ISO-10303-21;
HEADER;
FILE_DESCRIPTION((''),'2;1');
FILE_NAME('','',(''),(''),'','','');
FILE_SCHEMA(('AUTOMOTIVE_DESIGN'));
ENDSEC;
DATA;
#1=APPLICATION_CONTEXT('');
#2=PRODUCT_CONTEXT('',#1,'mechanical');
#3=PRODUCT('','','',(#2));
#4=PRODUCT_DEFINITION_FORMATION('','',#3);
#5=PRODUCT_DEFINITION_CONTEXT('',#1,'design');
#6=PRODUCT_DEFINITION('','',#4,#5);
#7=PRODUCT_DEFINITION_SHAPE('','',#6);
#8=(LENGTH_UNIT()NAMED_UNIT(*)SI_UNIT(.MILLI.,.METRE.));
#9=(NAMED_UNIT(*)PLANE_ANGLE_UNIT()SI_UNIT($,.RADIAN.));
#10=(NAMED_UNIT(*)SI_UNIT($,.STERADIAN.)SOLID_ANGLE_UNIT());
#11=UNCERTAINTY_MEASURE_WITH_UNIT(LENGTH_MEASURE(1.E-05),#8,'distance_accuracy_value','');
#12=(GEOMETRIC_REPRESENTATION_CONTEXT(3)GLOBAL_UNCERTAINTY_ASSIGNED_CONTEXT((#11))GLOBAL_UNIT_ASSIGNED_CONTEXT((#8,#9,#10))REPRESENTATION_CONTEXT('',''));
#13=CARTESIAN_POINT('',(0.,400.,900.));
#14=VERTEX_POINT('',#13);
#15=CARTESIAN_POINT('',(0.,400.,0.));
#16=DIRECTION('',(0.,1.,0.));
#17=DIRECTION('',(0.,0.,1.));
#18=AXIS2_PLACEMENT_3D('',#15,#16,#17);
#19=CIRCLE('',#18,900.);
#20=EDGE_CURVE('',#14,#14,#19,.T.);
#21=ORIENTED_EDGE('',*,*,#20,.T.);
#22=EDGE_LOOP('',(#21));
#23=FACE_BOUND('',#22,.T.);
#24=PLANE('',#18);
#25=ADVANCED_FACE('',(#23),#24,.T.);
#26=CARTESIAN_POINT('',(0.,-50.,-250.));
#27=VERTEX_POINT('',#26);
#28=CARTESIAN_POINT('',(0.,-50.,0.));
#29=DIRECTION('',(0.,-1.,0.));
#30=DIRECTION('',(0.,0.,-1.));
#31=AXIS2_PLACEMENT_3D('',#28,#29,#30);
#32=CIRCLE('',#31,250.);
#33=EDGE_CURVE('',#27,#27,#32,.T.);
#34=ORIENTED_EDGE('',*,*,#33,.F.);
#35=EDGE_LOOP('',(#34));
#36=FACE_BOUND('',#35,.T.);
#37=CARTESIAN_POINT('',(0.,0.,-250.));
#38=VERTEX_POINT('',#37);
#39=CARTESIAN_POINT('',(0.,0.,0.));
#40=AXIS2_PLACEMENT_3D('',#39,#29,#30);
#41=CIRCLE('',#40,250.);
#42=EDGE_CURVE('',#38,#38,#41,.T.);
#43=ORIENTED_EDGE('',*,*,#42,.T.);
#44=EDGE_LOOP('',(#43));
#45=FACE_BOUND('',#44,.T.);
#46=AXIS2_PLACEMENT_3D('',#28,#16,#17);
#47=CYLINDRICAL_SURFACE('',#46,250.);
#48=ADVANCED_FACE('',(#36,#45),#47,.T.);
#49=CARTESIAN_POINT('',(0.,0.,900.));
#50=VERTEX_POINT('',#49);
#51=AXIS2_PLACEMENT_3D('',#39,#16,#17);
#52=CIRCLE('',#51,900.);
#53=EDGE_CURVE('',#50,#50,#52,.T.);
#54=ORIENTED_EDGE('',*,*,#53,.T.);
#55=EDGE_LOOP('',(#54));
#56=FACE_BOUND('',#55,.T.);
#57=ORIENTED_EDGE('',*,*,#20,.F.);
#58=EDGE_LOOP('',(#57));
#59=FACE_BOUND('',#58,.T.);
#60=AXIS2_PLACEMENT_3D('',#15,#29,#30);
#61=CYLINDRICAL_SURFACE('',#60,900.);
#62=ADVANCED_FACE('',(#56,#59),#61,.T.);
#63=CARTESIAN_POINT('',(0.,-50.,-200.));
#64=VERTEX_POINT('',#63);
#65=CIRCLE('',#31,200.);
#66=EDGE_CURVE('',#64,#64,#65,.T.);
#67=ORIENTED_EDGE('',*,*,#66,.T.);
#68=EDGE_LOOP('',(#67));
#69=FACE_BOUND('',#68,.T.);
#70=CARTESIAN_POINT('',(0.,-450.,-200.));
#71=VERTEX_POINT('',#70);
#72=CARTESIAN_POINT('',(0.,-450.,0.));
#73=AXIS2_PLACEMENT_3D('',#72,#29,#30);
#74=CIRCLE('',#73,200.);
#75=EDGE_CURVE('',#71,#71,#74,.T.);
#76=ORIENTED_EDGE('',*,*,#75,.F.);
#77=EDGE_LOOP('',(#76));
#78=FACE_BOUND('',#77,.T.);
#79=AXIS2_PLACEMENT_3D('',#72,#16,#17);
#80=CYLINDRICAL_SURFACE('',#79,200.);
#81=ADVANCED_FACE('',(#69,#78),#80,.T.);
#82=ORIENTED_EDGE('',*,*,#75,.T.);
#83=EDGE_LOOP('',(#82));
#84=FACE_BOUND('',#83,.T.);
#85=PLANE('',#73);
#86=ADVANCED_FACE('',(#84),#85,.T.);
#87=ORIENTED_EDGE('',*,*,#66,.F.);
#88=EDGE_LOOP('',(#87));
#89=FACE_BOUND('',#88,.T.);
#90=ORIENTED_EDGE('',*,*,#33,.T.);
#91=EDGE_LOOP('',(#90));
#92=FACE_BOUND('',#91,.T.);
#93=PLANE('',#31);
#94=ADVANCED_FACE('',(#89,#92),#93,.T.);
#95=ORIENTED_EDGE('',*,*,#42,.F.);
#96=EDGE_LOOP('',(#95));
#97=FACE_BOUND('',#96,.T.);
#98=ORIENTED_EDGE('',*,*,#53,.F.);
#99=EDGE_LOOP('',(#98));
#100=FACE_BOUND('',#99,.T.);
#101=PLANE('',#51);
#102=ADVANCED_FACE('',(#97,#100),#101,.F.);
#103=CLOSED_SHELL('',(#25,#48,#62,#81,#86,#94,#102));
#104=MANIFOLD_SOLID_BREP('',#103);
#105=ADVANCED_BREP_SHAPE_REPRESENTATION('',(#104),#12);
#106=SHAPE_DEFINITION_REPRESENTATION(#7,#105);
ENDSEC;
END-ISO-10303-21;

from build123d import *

# Parameters (mm, degrees)
SKETCH2_R           = 900
BOSS_EXTRUDE1_DEPTH = 400
SKETCH4_R           = 250
BOSS_EXTRUDE2_DEPTH = 50
SKETCH6_R           = 200
BOSS_EXTRUDE3_DEPTH = 400


with BuildPart() as part:
    # Sketch2 → Boss-Extrude1 (new body)
    with BuildSketch(Plane(origin=(0, 0, 0), x_dir=(1, 0, 0), z_dir=(0, 1, 0))):
        with Locations(Location((0, 0, 0), (0, 0, 270))):
            Circle(SKETCH2_R)
    extrude(amount=BOSS_EXTRUDE1_DEPTH)

    # Sketch4 → Boss-Extrude2 (add)
    with BuildSketch(Plane(origin=(0, 0, 0), x_dir=(-1, 0, 0), z_dir=(0, -1, 0))):
        with Locations(Location((0, 0, 0), (0, 0, 90))):
            Circle(SKETCH4_R)
    extrude(amount=BOSS_EXTRUDE2_DEPTH)

    # Sketch6 → Boss-Extrude3 (add)
    with BuildSketch(Plane(origin=(0, -50, 0), x_dir=(-1, 0, 0), z_dir=(0, -1, 0))):
        with Locations(Location((0, 0, 0), (0, 0, 90))):
            Circle(SKETCH6_R)
    extrude(amount=BOSS_EXTRUDE3_DEPTH)


solid = part.part
